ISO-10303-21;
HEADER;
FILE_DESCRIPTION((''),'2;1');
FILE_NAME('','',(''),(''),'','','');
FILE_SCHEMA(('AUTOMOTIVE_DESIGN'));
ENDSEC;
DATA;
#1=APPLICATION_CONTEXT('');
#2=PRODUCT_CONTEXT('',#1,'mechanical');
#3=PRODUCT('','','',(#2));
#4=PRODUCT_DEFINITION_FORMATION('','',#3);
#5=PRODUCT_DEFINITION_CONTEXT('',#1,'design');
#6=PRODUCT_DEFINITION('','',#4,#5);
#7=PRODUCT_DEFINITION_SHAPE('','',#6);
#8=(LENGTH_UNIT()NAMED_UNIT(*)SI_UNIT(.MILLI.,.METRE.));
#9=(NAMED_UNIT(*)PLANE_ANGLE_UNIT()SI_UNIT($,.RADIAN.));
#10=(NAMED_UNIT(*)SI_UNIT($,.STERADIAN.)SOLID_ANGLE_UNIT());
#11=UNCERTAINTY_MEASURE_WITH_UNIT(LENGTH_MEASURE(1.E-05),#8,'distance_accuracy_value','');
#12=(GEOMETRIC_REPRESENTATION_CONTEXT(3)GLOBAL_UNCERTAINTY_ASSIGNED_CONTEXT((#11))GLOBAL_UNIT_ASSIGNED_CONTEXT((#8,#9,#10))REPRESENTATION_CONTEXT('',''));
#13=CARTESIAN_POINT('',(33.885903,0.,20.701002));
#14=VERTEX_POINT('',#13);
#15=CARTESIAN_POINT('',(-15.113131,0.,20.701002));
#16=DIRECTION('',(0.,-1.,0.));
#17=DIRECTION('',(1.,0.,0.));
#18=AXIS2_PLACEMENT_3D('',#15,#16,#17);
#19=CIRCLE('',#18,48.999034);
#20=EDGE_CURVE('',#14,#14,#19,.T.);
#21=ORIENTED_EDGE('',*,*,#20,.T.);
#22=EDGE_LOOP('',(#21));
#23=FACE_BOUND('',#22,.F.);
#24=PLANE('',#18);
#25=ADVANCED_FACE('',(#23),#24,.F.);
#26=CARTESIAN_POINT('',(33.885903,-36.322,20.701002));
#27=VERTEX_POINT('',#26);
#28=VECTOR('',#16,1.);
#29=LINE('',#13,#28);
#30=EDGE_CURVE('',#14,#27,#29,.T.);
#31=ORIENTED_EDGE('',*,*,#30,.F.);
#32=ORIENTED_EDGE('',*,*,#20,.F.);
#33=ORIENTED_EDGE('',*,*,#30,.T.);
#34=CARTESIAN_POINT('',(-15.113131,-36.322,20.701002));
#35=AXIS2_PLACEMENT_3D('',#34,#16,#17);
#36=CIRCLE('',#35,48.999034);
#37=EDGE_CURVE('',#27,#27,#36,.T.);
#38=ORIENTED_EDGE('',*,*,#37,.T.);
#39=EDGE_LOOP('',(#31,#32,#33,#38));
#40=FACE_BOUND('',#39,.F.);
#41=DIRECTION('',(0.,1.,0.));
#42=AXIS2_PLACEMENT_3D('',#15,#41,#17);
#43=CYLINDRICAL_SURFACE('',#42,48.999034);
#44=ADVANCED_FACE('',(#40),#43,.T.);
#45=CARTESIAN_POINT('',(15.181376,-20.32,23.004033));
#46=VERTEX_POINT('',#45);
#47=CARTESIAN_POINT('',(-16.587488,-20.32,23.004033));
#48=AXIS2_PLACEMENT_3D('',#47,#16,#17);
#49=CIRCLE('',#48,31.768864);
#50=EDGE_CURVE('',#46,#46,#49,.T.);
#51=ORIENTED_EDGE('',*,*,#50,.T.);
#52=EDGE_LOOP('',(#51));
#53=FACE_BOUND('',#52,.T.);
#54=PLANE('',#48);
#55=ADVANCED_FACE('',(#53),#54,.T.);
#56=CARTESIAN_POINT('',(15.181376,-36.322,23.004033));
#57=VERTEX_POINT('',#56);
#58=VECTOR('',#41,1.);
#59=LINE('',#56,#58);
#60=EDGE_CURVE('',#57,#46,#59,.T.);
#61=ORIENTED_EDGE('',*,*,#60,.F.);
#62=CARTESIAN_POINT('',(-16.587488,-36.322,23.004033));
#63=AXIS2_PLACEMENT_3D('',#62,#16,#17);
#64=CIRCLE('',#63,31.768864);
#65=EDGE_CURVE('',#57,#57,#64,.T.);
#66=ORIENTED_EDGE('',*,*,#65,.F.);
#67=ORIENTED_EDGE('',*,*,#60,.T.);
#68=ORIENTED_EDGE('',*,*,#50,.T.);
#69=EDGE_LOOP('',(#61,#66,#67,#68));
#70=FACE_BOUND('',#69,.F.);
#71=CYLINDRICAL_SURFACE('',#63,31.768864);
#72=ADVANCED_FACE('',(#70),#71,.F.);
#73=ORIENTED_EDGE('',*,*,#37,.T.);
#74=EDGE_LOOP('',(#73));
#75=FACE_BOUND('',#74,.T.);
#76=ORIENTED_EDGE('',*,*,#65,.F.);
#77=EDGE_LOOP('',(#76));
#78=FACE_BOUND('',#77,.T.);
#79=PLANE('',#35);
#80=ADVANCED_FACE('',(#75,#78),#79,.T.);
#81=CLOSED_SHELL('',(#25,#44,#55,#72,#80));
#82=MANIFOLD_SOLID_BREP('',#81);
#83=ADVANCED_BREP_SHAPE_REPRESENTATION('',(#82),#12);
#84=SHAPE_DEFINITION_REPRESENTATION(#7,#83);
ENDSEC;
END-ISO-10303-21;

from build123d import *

# Parameters (mm, degrees)
F0_R      = 48.999034
F1_DEPTH  = 50.8
F1_FACE_R = 48.999034
F2_DEPTH  = 14.478
F3_R      = 31.768864
F4_DEPTH  = 16.002


with BuildPart() as f1:
    # F0 (on Front) → F1 (new body)
    with BuildSketch(Plane.XZ):
        with Locations((-15.113131, 20.701002)):
            Circle(F0_R)
    extrude(amount=F1_DEPTH)

    # F1_face (on face) → F2 (cut)
    with BuildSketch(Plane(origin=(-15.113131, -50.8, 20.701002), x_dir=(1, 0, 0), z_dir=(0, -1, 0))):
        Circle(F1_FACE_R)
    extrude(amount=-F2_DEPTH, mode=Mode.SUBTRACT)

    # F3 (on face) → F4 (cut)
    with BuildSketch(Plane.XZ.offset(36.322)):
        with Locations((-16.587488, 23.004033)):
            Circle(F3_R)
    extrude(amount=-F4_DEPTH, mode=Mode.SUBTRACT)


solid = f1.part
